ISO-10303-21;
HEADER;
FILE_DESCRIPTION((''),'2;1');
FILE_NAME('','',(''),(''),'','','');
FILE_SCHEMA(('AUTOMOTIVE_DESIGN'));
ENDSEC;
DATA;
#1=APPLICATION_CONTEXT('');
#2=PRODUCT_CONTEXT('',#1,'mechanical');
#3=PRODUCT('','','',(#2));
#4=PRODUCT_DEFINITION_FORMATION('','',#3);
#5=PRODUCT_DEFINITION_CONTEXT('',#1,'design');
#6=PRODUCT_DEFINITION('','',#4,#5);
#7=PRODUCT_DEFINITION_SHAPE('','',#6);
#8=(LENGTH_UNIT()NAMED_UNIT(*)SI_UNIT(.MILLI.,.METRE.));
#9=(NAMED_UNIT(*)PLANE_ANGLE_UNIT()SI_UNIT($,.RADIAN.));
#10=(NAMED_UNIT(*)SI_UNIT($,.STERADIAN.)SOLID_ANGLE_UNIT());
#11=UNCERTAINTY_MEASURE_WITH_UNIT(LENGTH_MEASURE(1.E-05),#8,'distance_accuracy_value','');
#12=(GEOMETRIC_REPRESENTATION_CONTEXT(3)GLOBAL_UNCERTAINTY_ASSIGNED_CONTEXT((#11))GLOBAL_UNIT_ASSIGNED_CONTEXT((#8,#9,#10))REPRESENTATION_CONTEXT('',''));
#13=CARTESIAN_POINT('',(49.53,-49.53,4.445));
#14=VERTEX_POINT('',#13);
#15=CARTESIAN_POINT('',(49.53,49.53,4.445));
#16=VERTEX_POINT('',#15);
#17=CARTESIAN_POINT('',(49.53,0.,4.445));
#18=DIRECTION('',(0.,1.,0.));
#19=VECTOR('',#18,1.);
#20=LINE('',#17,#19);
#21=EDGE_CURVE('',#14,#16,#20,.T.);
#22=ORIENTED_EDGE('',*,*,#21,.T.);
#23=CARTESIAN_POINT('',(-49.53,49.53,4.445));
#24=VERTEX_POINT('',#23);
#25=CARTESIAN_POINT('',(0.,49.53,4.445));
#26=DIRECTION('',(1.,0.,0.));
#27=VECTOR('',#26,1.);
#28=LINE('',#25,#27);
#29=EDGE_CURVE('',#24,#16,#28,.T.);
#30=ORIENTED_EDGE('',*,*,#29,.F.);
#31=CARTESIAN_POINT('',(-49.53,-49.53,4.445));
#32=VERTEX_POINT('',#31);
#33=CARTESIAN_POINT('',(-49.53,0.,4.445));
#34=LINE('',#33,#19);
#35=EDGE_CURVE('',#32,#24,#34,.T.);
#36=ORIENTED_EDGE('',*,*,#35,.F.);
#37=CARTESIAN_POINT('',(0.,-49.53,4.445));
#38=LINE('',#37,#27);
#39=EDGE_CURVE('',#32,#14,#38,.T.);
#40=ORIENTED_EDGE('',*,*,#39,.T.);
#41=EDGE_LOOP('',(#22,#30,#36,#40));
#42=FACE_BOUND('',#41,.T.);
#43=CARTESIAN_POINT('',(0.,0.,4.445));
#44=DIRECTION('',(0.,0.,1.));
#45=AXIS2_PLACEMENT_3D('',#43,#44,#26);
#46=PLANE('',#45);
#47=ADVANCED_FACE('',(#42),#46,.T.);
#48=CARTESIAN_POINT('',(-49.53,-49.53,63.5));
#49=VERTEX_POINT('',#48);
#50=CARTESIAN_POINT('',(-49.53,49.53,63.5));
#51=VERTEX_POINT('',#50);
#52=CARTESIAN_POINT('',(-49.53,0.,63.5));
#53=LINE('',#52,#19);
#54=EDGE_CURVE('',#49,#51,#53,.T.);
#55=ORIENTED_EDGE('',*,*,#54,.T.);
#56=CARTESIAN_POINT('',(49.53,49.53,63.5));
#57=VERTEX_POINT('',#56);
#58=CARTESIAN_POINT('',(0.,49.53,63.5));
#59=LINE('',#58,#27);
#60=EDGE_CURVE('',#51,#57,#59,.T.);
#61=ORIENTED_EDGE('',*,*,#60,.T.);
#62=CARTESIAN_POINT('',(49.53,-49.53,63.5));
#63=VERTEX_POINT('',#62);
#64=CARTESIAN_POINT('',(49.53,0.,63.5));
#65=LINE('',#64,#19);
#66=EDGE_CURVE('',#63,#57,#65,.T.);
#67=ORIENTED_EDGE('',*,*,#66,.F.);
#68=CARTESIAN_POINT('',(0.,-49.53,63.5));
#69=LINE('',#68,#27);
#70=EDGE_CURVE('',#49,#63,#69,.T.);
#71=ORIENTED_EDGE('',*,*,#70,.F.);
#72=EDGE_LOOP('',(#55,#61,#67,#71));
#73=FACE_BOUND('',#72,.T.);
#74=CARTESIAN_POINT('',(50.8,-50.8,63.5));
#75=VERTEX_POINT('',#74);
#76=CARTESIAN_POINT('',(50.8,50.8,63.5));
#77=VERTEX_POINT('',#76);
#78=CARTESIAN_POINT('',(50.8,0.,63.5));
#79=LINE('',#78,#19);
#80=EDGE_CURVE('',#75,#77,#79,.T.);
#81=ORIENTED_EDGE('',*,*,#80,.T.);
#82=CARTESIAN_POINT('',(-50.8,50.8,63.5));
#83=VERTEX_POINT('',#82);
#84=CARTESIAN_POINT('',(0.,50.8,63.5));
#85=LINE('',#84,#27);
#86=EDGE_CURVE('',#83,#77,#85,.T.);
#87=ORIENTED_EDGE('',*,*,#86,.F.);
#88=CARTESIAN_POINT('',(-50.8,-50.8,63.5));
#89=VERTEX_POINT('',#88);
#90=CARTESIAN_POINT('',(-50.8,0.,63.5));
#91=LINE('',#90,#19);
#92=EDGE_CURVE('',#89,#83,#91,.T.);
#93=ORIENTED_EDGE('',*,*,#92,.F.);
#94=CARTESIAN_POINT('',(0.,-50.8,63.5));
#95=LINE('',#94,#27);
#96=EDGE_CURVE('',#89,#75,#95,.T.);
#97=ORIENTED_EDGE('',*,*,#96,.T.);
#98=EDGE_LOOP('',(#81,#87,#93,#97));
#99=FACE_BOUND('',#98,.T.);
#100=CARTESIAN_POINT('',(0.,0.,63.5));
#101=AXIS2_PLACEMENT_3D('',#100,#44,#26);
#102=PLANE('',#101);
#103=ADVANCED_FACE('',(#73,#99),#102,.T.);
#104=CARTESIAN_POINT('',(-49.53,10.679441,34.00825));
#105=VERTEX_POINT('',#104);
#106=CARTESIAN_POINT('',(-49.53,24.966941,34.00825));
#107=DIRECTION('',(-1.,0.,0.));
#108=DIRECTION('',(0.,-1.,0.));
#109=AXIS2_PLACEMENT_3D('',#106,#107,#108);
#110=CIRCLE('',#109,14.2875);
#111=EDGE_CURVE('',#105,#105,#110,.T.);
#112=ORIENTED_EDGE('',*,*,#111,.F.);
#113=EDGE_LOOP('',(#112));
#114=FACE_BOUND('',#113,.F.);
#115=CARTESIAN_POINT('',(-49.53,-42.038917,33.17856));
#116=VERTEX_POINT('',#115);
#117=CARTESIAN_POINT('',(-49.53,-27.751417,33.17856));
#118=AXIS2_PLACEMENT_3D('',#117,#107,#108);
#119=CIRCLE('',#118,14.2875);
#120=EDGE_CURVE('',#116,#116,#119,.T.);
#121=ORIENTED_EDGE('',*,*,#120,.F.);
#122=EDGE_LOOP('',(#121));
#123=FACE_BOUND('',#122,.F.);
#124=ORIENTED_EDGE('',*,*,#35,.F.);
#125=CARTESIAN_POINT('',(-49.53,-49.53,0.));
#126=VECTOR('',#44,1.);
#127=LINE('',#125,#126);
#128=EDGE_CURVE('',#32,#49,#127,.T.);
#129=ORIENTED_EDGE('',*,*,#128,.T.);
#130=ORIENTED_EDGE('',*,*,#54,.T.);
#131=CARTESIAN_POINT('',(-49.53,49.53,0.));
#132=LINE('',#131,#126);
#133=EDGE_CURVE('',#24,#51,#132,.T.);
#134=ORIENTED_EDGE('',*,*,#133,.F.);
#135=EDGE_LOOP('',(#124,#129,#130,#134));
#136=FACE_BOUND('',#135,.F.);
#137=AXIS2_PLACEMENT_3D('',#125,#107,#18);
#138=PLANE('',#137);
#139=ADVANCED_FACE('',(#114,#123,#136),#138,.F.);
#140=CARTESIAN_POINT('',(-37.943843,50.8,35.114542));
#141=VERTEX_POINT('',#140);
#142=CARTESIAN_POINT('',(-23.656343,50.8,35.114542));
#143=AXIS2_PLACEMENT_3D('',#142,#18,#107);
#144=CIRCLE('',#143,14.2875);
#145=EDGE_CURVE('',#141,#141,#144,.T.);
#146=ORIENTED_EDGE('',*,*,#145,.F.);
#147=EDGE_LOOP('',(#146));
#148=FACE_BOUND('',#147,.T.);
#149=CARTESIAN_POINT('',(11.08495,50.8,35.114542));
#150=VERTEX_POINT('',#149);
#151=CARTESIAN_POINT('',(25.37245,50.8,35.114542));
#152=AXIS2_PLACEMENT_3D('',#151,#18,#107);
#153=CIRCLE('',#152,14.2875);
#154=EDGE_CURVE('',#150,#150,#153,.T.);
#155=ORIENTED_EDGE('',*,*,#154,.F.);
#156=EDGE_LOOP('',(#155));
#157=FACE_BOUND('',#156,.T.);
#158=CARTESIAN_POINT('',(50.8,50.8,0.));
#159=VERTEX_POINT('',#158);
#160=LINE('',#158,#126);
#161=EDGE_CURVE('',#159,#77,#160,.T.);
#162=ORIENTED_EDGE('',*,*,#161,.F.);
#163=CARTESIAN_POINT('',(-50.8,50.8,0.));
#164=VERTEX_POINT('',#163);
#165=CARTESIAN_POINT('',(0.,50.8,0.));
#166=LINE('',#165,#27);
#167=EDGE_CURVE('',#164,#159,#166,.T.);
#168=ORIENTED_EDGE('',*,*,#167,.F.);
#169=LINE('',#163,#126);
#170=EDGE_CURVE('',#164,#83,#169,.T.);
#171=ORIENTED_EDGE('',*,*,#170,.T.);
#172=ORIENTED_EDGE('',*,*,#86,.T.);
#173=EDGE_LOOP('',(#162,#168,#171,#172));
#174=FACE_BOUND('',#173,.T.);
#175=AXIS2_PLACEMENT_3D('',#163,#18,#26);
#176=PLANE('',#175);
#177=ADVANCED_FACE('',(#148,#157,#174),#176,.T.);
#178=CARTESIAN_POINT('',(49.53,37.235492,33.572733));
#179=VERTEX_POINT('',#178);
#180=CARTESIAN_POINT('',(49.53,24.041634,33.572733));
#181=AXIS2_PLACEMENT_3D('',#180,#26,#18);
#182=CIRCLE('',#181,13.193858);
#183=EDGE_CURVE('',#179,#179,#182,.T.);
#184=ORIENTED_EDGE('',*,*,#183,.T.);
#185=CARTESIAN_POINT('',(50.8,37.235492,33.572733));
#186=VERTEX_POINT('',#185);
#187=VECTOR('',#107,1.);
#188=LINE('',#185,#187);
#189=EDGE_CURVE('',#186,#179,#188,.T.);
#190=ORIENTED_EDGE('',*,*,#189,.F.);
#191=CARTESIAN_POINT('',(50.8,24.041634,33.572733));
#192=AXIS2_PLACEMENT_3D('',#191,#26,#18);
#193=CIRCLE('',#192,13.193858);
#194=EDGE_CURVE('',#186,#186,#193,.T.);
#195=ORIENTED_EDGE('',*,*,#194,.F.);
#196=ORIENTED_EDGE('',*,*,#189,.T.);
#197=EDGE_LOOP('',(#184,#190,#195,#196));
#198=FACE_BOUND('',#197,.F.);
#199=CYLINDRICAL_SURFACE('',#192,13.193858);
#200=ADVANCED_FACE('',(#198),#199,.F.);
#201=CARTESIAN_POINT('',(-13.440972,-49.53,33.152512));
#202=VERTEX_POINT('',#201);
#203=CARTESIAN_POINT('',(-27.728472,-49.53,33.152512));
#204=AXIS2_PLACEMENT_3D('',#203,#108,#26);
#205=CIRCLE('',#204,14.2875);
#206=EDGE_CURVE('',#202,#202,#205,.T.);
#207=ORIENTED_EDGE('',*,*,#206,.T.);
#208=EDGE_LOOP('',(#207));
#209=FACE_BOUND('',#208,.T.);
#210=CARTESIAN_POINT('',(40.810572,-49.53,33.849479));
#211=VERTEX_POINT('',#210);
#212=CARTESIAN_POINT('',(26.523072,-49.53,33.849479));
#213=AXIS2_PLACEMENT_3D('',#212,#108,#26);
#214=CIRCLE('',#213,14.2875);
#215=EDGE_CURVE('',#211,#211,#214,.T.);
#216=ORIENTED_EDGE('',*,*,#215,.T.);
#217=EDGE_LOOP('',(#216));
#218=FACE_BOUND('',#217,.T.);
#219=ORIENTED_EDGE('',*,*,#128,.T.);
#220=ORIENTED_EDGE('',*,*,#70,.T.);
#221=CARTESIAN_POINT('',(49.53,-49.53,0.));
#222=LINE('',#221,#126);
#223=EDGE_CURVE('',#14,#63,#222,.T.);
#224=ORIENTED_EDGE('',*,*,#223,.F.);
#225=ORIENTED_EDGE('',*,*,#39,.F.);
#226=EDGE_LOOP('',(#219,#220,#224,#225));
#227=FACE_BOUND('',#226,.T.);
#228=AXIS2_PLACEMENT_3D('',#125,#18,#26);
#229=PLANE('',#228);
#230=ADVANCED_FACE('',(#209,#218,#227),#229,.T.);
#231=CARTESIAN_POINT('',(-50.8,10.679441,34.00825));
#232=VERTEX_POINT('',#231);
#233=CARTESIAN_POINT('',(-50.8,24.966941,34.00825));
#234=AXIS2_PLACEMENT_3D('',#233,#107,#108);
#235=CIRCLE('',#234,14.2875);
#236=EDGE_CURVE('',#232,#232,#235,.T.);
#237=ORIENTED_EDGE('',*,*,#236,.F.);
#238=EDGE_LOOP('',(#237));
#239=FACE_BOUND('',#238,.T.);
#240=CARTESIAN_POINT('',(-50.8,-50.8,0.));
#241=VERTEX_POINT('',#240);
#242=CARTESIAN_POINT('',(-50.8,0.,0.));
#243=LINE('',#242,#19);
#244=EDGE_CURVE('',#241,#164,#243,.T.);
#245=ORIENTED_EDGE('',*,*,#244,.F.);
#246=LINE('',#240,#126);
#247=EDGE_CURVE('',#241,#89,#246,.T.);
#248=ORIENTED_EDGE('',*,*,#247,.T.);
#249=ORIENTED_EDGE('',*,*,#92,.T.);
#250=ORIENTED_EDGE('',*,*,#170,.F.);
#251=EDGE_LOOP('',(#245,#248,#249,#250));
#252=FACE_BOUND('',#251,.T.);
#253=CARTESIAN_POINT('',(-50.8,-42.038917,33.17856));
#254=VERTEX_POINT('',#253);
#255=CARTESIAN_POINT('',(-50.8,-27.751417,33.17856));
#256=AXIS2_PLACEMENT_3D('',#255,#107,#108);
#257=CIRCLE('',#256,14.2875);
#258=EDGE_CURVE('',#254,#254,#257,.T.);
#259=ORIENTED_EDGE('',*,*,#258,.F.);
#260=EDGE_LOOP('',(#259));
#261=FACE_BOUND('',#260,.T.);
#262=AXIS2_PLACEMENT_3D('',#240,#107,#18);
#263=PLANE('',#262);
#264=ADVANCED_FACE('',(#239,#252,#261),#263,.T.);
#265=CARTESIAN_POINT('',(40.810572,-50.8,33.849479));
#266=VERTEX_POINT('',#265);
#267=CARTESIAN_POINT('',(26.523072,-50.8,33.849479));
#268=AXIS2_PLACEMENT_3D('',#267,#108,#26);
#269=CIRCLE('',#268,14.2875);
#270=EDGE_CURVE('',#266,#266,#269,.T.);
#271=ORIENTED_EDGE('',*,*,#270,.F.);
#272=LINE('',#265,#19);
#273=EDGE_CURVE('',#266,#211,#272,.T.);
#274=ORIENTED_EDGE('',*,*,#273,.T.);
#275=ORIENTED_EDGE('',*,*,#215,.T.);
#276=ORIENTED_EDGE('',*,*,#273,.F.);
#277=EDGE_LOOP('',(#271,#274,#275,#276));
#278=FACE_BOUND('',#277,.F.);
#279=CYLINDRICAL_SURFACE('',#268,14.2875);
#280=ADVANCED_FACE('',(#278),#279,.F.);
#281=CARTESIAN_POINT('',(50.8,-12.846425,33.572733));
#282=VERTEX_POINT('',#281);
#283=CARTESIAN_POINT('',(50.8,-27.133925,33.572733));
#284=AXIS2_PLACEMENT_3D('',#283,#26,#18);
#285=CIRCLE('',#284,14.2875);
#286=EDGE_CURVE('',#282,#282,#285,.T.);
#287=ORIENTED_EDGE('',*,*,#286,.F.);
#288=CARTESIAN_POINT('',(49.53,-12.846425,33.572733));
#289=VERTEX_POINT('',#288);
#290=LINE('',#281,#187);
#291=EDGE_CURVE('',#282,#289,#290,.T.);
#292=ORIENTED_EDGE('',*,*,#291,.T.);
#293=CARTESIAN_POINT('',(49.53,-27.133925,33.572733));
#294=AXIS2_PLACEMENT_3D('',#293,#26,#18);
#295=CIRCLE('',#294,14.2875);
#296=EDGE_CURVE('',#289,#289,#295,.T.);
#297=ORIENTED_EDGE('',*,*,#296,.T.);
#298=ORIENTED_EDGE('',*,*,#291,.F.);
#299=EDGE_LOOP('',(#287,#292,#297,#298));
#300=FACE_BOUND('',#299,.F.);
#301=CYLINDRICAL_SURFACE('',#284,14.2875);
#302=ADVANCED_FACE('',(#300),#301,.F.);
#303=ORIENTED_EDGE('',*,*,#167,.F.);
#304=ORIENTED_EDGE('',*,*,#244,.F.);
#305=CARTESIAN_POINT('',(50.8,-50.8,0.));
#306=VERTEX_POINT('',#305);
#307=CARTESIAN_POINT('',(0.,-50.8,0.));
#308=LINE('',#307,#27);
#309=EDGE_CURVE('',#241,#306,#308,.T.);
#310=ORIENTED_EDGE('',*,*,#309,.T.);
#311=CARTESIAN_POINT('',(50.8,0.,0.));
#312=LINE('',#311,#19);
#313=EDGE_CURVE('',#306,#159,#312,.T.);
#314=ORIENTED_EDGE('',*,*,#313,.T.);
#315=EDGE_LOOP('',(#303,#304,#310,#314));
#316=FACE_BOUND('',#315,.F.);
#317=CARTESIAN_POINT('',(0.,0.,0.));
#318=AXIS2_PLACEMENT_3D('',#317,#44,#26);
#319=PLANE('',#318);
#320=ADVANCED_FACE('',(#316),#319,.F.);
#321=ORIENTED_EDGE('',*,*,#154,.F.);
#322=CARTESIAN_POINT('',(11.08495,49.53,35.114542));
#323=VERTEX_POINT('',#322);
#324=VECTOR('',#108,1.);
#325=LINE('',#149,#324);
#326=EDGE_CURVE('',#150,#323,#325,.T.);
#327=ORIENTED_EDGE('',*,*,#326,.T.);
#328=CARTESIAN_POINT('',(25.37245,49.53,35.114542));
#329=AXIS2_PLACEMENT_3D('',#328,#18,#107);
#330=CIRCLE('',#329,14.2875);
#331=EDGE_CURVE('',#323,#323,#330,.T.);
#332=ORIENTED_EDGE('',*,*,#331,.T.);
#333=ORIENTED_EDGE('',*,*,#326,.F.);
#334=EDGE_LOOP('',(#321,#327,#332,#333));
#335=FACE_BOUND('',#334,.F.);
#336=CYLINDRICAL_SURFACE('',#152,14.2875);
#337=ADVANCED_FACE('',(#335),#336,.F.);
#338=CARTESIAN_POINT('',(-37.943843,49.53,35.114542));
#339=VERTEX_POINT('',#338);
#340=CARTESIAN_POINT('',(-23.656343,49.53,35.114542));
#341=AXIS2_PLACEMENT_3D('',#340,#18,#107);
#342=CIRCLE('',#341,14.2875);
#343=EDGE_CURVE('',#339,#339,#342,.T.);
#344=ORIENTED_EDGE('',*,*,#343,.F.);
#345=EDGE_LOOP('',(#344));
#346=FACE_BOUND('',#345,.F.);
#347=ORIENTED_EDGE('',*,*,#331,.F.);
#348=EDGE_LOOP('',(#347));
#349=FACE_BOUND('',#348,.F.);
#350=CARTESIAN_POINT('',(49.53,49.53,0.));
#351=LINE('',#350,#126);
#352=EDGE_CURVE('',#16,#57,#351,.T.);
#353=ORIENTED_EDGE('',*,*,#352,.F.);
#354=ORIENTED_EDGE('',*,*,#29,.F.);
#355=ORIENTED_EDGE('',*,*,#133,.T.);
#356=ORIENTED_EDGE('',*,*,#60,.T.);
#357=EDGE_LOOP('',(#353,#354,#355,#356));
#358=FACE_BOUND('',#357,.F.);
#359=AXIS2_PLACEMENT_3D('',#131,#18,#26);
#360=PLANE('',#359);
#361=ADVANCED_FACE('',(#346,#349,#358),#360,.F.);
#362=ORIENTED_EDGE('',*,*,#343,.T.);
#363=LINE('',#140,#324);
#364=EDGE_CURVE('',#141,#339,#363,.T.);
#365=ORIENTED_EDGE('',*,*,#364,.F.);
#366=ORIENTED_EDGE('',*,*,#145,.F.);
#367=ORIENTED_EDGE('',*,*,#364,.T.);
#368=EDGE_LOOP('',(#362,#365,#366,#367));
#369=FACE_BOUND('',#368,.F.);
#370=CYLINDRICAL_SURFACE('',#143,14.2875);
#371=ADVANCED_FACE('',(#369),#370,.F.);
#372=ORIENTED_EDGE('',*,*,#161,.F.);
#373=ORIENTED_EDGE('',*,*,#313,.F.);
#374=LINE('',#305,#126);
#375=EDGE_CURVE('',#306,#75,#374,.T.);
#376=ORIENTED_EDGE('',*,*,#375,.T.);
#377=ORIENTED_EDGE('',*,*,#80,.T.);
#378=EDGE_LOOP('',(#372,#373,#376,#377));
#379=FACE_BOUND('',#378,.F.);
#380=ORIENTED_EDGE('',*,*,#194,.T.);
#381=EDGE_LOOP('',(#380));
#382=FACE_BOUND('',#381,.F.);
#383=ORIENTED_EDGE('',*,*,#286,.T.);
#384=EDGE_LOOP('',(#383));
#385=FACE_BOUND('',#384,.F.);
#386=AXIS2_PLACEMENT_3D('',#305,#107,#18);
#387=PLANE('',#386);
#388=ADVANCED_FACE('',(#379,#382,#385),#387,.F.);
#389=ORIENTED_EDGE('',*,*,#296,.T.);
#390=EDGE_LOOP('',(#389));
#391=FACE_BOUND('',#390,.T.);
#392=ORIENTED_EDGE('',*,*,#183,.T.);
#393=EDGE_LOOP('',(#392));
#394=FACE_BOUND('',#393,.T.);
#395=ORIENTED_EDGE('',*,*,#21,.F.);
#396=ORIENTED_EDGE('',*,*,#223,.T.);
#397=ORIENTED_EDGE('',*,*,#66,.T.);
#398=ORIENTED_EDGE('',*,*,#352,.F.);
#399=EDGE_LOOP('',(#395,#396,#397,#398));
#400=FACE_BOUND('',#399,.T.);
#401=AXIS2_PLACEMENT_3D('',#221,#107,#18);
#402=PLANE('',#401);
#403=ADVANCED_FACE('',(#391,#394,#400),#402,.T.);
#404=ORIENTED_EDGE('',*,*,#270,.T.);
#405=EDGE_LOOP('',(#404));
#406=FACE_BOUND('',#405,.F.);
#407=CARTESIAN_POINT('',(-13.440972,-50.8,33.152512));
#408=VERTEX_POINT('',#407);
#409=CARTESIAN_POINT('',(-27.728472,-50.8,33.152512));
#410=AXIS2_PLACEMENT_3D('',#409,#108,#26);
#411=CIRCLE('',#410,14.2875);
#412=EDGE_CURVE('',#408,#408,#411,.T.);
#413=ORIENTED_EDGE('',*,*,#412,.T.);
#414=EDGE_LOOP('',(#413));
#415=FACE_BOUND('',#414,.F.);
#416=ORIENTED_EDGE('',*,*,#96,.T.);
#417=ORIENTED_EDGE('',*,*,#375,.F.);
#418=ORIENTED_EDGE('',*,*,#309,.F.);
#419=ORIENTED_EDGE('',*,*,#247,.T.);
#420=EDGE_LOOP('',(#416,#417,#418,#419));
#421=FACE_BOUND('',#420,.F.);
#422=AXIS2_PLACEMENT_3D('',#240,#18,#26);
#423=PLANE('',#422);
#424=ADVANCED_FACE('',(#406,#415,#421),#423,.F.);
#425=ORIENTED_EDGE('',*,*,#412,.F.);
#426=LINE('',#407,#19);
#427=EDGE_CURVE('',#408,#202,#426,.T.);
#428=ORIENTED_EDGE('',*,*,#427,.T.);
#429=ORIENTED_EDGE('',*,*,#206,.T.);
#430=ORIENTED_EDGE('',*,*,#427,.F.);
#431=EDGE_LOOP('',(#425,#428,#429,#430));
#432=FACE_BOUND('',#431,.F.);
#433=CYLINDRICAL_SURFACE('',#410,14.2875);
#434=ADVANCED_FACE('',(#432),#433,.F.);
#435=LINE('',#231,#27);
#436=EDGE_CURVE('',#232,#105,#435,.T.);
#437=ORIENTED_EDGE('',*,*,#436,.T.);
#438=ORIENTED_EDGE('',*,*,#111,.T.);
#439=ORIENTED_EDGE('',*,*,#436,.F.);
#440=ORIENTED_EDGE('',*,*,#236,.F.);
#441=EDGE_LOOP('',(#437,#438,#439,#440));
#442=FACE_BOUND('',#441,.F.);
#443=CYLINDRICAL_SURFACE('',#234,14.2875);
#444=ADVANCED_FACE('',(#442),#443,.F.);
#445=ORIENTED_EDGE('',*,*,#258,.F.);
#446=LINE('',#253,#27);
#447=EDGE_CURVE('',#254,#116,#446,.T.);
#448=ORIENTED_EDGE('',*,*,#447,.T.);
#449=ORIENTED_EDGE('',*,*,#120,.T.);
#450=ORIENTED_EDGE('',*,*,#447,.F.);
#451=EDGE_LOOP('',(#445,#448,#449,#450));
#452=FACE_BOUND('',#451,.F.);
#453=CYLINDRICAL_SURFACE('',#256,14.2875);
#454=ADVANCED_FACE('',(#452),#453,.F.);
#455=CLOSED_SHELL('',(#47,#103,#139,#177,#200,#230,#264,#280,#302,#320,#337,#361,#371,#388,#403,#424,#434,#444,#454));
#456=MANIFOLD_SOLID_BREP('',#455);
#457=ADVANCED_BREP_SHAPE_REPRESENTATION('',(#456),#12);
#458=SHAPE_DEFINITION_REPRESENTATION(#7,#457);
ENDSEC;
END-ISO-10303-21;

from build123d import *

# Parameters (mm, degrees)
F0_W      = 99.06
F0_H      = 99.06
F1_DEPTH  = 4.445
F0_W_2    = 101.6
F0_H_2    = 101.6
F2_DEPTH  = 63.5
F5_R      = 14.2875
F7_DEPTH  = 25.4
F3_R      = 14.2875
F3_R_2    = 13.193858
F8_DEPTH  = 25.4
F4_R      = 14.2875
F4_R_2    = 14.425909
F9_DEPTH  = 25.4
F6_R      = 14.2875
F10_DEPTH = 25.4
F11_R     = 14.2875
F12_DEPTH = 25.4


with BuildPart() as f1:
    # F0 (on Top) → F1 (new body)
    with BuildSketch(Plane.XY):
        Rectangle(F0_W, F0_H)
    extrude(amount=F1_DEPTH)

    # F0 (on Top) → F2 (join)
    with BuildSketch(Plane.XY):
        Rectangle(F0_W_2, F0_H_2)
        Rectangle(F0_W, F0_H, mode=Mode.SUBTRACT)
    extrude(amount=F2_DEPTH)

    # F5 (on face) → F7 (cut)
    with BuildSketch(Plane.XZ.offset(50.8)):
        with Locations((-27.728472, 33.152512)):
            Circle(F5_R)
        with Locations((26.523072, 33.849479)):
            Circle(F5_R)
    extrude(amount=-F7_DEPTH, mode=Mode.SUBTRACT)

    # F3 (on face) → F8 (cut)
    with BuildSketch(Plane.YZ.offset(50.8)):
        with Locations((-27.133925, 33.572733)):
            Circle(F3_R)
        with Locations((24.041634, 33.572733)):
            Circle(F3_R_2)
    extrude(amount=-F8_DEPTH, mode=Mode.SUBTRACT)

    # F4 (on face) → F9 (cut)
    with BuildSketch(Plane(origin=(0, 50.8, 0), x_dir=(-1, 0, 0), z_dir=(0, 1, 0))):
        with Locations((-27.319755, 33.915631)):
            Circle(F4_R)
        with Locations((28.376452, 33.915631)):
            Circle(F4_R_2)
    extrude(amount=F9_DEPTH, mode=Mode.SUBTRACT)

    # F6 (on face) → F10 (cut)
    with BuildSketch(Plane(origin=(-50.8, 0, 0), x_dir=(0, -1, 0), z_dir=(-1, 0, 0))):
        with Locations((-24.966941, 34.00825)):
            Circle(F6_R)
        with Locations((27.751417, 33.17856)):
            Circle(F6_R)
    extrude(amount=-F10_DEPTH, mode=Mode.SUBTRACT)

    # F11 (on face) → F12 (cut)
    with BuildSketch(Plane(origin=(0, 50.8, 0), x_dir=(-1, 0, 0), z_dir=(0, 1, 0))):
        with Locations((-25.37245, 35.114542)):
            Circle(F11_R)
        with Locations((23.656343, 35.114542)):
            Circle(F11_R)
    extrude(amount=-F12_DEPTH, mode=Mode.SUBTRACT)


solid = f1.part
